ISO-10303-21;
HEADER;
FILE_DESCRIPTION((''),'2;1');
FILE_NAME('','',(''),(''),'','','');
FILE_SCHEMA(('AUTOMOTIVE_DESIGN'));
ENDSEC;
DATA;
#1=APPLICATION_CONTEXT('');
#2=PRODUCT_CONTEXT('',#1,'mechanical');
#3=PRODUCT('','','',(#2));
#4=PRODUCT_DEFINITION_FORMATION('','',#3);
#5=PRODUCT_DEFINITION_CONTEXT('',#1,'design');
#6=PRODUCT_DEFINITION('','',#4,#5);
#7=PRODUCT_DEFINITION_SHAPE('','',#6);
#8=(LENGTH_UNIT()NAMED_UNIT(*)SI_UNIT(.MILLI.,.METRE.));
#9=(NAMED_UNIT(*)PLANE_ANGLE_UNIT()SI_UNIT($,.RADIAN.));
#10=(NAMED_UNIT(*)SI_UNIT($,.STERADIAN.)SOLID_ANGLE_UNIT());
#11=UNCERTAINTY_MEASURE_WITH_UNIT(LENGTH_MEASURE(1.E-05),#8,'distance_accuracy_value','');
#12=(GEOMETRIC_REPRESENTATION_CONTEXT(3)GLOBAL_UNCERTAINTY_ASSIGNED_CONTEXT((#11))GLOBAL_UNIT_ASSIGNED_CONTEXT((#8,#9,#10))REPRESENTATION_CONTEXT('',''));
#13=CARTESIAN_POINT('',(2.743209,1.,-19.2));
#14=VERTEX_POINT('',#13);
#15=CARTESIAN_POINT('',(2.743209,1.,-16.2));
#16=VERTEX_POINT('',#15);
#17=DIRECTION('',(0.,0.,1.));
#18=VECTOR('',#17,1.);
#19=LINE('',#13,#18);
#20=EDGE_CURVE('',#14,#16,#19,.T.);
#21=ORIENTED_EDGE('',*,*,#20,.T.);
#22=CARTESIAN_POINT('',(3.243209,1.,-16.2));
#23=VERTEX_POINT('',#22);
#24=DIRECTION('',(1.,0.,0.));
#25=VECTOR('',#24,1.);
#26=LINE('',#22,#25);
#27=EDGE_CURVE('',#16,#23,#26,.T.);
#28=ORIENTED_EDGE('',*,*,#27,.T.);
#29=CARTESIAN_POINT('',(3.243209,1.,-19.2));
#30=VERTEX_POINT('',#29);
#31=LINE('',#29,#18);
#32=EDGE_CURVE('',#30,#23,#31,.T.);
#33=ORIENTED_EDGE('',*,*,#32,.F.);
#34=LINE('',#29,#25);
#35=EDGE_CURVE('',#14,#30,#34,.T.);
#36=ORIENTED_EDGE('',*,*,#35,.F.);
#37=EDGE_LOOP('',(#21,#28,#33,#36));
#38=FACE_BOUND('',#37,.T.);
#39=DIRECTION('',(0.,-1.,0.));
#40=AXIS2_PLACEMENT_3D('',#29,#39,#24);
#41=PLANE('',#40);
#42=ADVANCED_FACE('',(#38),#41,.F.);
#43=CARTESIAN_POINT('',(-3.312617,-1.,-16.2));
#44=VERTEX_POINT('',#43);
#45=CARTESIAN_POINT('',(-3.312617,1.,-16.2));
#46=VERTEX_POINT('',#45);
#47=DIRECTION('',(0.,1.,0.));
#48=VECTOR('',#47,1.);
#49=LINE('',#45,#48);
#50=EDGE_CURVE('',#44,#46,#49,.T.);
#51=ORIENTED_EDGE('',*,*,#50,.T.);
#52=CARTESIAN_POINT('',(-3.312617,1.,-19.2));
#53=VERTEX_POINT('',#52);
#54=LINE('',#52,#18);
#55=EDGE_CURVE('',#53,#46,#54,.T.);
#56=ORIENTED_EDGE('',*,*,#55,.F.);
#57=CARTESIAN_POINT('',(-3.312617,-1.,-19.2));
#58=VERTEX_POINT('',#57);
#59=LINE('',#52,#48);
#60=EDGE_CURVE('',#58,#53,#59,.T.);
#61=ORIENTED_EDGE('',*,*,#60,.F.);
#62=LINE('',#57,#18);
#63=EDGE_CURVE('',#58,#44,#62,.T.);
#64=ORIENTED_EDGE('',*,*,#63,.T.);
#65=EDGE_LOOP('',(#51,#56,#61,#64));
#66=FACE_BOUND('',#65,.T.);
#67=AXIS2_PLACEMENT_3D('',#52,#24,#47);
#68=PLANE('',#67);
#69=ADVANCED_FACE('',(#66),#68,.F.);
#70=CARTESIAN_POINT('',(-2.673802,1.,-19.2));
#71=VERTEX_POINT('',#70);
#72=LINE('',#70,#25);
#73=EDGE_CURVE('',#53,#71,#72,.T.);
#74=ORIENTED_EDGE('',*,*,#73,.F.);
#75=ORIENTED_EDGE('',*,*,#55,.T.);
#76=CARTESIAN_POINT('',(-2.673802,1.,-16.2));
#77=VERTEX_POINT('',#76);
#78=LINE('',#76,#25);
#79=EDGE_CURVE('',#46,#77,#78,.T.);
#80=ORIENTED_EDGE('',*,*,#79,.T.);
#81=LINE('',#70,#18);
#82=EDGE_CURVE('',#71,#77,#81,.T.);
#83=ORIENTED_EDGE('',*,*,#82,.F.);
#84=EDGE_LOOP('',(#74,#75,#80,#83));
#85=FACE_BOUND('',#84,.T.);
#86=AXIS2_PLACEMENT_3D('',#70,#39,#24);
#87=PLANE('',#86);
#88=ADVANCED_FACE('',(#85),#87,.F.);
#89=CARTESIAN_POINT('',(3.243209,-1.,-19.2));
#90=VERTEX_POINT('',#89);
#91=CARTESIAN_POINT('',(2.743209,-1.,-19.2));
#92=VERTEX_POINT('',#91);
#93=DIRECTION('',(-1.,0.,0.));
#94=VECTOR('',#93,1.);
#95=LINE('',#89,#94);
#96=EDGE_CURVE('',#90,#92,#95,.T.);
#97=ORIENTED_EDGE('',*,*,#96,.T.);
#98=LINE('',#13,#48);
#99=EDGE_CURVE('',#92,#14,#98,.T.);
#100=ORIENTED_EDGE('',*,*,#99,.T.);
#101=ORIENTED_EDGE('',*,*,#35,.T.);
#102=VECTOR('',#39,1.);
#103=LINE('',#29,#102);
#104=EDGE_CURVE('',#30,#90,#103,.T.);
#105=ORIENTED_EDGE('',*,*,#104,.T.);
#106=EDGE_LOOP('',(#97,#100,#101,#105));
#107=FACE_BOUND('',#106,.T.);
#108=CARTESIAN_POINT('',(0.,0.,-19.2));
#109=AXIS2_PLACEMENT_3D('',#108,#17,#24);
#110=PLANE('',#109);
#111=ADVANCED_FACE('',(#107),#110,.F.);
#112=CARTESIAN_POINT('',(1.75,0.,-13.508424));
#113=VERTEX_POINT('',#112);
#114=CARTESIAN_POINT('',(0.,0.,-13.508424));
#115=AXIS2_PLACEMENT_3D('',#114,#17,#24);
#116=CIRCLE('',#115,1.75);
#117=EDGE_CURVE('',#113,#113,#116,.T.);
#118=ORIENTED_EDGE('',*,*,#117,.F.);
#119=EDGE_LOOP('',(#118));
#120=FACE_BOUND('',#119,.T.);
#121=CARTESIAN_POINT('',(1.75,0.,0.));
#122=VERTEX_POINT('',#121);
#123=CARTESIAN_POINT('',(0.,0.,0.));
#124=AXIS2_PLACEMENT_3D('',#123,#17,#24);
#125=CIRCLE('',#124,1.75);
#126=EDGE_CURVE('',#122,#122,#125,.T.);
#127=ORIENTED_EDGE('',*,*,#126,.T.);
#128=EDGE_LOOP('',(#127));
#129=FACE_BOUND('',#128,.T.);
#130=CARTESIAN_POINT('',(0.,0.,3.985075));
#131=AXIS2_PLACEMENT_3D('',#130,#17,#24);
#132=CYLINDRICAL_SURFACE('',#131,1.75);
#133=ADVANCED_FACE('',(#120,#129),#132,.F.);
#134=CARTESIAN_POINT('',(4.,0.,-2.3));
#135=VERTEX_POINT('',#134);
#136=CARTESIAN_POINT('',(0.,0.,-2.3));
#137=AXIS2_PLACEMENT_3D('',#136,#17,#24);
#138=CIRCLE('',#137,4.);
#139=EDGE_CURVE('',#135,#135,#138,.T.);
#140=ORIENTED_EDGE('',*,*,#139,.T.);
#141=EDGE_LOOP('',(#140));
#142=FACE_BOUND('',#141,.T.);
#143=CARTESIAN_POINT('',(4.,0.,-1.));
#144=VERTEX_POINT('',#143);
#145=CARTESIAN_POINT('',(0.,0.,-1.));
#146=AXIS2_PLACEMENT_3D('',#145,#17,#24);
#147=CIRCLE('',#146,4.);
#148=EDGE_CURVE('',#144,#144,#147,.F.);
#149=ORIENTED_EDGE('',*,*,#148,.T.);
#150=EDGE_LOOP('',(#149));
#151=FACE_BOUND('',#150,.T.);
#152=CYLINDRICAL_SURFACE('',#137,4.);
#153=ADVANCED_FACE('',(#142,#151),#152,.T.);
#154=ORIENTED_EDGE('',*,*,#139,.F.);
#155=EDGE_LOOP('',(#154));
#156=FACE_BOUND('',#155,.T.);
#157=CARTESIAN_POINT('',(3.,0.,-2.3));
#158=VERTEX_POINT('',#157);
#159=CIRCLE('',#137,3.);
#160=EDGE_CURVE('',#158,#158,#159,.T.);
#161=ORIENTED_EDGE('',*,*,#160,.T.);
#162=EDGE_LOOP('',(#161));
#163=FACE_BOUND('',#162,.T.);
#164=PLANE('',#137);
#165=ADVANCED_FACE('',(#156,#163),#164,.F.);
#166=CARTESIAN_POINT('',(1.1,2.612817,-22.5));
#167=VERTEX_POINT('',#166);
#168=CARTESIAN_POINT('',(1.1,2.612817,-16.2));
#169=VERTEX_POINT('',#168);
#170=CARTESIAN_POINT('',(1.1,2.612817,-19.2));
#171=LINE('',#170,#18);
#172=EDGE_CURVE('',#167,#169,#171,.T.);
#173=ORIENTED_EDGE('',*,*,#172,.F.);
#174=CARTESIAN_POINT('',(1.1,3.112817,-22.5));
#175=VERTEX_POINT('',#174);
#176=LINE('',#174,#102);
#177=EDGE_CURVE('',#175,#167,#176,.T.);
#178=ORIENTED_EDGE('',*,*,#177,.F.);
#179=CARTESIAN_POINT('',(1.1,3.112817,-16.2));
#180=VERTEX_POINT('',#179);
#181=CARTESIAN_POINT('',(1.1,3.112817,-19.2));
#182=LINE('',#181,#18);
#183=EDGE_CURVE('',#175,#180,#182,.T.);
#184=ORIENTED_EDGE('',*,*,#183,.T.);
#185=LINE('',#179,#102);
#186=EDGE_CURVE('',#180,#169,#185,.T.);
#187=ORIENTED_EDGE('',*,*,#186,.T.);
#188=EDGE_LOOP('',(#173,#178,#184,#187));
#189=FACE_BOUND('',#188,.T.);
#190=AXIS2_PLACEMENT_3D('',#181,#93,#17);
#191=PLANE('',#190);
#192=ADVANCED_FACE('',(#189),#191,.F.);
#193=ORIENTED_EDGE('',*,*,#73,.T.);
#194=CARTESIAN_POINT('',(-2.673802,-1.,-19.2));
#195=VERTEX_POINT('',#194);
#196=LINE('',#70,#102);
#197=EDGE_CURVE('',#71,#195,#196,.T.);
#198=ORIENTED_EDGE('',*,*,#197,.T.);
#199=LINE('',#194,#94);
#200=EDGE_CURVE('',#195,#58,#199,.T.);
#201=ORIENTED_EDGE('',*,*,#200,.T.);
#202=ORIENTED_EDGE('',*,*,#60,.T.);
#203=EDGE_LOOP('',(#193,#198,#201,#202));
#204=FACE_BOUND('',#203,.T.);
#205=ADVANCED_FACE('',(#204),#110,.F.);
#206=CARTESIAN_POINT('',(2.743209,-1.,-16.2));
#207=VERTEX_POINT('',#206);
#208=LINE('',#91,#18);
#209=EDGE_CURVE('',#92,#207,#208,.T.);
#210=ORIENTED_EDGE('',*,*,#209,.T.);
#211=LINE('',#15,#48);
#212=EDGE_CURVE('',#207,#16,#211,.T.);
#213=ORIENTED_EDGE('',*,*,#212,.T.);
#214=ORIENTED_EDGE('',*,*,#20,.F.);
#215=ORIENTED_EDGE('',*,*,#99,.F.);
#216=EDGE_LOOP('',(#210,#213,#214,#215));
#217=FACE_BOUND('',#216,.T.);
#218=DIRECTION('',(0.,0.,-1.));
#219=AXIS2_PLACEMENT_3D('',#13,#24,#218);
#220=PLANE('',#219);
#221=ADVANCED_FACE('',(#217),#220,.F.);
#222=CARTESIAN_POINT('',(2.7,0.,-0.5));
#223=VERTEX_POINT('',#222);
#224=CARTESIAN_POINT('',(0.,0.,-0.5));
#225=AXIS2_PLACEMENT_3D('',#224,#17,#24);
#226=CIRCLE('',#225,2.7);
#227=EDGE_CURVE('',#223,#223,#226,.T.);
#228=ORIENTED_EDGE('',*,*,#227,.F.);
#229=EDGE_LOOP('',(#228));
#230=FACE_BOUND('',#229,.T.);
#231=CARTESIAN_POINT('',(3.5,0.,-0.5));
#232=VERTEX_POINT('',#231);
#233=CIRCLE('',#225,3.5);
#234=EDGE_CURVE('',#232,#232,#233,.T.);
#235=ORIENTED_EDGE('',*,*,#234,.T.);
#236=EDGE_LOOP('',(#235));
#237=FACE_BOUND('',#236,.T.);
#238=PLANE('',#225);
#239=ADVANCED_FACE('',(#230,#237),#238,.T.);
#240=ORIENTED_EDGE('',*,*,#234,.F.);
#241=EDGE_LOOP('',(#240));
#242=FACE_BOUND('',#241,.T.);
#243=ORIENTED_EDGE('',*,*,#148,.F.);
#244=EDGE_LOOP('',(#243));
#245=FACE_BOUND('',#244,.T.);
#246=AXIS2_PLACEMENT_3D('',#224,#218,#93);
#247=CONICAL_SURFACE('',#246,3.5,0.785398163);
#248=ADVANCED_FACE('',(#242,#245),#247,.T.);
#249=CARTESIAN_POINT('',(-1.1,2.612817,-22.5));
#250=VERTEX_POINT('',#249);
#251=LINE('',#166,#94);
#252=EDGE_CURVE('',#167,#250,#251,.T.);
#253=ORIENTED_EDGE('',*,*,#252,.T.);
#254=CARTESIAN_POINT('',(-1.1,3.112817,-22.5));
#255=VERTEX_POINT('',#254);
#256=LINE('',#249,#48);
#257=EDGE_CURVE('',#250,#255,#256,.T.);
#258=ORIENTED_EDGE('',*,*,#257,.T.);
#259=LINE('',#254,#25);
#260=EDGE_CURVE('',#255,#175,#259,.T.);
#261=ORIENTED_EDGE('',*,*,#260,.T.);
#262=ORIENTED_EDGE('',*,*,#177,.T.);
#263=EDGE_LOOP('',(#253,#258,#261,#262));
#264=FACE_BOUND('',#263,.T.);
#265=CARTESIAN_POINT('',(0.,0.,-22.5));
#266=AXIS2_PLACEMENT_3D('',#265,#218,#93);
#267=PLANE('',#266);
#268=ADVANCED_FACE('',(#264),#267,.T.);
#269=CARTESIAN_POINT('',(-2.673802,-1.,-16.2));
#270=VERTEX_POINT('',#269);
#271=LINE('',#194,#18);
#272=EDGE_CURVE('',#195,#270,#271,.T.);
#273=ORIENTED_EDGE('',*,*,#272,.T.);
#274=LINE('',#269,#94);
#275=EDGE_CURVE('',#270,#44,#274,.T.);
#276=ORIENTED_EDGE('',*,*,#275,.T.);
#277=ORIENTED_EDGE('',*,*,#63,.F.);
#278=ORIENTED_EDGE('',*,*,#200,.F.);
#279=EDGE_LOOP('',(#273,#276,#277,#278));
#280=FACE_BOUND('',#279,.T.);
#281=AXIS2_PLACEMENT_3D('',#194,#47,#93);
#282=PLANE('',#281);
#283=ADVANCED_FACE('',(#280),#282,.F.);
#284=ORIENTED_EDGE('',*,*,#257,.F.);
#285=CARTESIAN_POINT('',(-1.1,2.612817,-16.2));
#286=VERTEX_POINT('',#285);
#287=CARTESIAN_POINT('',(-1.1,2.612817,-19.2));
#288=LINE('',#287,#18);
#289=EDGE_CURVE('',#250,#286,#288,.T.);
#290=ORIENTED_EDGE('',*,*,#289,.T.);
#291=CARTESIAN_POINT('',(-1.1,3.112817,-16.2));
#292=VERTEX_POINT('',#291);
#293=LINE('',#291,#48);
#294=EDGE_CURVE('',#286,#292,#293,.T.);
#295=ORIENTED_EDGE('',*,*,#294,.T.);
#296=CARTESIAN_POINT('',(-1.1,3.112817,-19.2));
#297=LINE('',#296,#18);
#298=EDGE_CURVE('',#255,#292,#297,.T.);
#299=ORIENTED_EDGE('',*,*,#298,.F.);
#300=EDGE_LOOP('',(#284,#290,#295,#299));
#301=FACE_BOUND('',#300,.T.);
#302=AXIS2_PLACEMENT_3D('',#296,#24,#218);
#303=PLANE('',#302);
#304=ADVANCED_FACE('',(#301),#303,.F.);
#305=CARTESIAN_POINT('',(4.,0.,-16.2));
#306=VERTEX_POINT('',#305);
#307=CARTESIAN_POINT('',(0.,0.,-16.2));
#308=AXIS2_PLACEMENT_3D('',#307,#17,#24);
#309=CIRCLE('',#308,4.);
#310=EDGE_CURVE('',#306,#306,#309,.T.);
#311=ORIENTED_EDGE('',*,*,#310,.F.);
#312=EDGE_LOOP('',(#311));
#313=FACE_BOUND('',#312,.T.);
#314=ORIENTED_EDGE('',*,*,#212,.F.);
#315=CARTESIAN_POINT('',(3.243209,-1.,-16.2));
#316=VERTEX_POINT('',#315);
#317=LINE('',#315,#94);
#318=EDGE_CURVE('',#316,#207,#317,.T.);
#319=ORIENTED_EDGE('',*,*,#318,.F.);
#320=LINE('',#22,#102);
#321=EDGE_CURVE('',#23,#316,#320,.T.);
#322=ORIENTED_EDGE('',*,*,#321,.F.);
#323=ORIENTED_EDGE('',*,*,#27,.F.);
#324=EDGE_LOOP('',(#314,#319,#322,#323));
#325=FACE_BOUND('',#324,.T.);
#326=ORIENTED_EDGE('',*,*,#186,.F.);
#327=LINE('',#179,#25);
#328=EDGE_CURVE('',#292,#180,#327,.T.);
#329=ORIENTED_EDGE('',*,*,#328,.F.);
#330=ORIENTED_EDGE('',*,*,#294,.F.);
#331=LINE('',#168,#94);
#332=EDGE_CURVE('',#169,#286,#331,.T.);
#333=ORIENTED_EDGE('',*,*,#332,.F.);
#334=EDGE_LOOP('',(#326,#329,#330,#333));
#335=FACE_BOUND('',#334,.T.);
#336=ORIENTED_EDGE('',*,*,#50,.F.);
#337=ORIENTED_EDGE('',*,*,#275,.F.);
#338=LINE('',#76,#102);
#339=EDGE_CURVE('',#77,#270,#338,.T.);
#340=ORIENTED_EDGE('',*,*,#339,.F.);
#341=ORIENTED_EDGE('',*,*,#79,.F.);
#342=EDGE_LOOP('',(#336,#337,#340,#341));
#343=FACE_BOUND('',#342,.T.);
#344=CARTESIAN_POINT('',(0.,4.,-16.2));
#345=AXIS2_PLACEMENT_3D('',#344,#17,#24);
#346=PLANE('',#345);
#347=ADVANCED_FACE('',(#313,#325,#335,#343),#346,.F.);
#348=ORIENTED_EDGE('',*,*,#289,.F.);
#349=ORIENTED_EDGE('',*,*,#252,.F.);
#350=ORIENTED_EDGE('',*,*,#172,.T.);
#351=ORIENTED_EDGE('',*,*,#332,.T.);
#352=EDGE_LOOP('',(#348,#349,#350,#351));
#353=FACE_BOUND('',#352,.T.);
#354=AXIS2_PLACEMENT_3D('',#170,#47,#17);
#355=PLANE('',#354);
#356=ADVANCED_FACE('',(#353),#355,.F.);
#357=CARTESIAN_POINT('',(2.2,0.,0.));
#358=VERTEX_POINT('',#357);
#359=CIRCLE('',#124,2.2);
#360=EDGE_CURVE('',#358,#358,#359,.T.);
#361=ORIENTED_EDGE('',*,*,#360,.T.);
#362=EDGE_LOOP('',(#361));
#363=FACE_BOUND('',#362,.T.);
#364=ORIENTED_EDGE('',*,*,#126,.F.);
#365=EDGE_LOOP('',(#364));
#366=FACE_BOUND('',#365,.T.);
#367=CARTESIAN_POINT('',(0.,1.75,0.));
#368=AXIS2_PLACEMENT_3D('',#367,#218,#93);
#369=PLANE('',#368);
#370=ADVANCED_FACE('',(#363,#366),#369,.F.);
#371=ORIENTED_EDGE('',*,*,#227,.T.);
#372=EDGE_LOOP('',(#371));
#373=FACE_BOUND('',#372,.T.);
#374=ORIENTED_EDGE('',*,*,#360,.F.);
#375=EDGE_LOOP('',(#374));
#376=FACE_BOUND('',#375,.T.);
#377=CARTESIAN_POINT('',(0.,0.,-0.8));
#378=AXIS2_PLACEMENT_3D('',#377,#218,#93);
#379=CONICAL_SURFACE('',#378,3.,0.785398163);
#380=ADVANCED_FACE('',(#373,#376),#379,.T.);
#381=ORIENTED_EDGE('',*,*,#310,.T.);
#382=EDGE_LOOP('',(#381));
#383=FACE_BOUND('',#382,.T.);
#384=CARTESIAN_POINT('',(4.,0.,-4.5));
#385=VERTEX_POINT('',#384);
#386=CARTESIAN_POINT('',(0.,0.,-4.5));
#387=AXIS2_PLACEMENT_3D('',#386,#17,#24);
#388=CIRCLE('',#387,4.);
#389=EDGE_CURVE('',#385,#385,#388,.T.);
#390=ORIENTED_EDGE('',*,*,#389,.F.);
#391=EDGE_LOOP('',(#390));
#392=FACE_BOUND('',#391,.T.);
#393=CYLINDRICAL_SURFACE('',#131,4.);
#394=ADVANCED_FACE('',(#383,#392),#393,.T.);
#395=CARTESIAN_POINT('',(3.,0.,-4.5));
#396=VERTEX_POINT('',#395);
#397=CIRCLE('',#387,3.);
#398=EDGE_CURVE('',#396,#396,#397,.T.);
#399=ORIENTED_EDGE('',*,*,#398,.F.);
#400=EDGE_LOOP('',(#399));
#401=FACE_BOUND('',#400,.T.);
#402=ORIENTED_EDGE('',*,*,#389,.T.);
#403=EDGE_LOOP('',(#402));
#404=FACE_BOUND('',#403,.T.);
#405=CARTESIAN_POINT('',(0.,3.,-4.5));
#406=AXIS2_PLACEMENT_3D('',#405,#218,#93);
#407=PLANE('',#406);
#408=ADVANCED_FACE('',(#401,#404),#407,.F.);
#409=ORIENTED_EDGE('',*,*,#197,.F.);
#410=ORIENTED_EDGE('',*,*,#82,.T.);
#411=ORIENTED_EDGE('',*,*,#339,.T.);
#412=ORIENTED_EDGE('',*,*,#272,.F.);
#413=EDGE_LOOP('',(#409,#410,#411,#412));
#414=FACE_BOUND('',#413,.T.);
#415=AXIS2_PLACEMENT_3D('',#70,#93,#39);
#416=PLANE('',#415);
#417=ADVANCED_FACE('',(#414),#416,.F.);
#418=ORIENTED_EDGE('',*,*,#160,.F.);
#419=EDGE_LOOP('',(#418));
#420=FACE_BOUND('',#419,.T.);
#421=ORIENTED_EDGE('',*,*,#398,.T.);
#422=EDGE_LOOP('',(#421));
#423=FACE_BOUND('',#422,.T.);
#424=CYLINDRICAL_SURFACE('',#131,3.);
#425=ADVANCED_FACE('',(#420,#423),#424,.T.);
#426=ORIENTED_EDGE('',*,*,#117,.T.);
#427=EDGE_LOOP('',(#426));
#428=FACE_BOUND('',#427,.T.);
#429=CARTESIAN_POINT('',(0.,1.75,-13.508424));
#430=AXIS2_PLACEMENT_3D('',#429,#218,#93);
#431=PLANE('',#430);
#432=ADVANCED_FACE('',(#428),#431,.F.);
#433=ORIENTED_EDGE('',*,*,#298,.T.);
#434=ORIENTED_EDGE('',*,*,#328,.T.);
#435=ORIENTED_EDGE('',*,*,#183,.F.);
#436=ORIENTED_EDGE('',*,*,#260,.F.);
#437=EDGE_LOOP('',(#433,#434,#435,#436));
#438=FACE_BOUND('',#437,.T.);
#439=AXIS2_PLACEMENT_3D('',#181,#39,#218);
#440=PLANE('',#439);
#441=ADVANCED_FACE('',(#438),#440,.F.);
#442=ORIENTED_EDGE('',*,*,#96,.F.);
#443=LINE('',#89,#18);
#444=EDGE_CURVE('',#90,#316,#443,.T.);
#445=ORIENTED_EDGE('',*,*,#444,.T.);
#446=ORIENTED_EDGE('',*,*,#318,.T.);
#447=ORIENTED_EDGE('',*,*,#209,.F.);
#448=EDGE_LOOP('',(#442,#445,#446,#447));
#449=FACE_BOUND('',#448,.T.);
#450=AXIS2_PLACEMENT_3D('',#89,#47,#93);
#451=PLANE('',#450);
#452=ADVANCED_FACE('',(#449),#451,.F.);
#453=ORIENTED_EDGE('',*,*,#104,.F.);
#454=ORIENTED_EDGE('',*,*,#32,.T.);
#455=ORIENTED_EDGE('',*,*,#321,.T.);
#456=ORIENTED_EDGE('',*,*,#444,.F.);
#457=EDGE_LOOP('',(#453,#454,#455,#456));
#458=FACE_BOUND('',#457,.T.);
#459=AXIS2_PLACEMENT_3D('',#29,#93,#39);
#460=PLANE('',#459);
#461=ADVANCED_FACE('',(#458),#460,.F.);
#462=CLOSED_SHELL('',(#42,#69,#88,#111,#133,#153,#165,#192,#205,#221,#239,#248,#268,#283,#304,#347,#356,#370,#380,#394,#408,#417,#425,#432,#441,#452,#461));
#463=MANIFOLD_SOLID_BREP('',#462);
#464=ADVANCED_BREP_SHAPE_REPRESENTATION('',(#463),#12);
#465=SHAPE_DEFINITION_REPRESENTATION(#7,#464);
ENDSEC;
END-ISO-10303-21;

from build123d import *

# Parameters (mm, degrees)
BOSS_EXTRUDE1_START = -2.3
SKETCH2_R           = 4
SKETCH2_R_2         = 2.6
BOSS_EXTRUDE1_DEPTH = 1.8
CHAMFER1_SIZE       = 0.5
SKETCH3_W           = 0.5
SKETCH3_H           = 2
SKETCH3_W_2         = 2.2
SKETCH3_H_2         = 0.5
SKETCH3_W_3         = 0.638814793
BOSS_EXTRUDE2_DEPTH = 3
SKETCH4_W           = 2.2
SKETCH4_H           = 0.5
BOSS_EXTRUDE3_DEPTH = 3.3


with BuildPart() as part:
    # Sketch1 → Revolve1 (revolve)
    with BuildSketch(Plane(origin=(0, 0, 0), x_dir=(0, 0, -1), z_dir=(1, 0, 0)), mode=Mode.PRIVATE) as revolve1_sk:
        Polygon((0, 1.75), (0, 2.2), (0.8, 3), (4.5, 3), (4.5, 4), (16.2, 4), (16.2, 0), (13.508423887, 0), (13.508423887, 1.75), align=None)
    revolve(revolve1_sk.sketch.rotate(Axis((0, 0, 3.985074627), (0, 0, -1)), 90), axis=Axis((0, 0, 3.985074627), (0, 0, -1)))

    # Sketch2 → Boss-Extrude1 (add)
    with BuildSketch(Plane.XY.offset(BOSS_EXTRUDE1_START)):
        Circle(SKETCH2_R)
        Circle(SKETCH2_R_2, mode=Mode.SUBTRACT)
    extrude(amount=BOSS_EXTRUDE1_DEPTH)

    # Chamfer1
    chamfer1_edges = [part.edges().sort_by_distance(p)[0] for p in [
        (-4, 0, -0.5),
    ]]
    chamfer(chamfer1_edges, length=CHAMFER1_SIZE)

    # Sketch3 → Boss-Extrude2 (add)
    with BuildSketch(Plane(origin=(0, 0, -16.2), x_dir=(-1, 0, 0), z_dir=(0, 0, -1))):
        with Locations((-2.993209108, 0)):
            Rectangle(SKETCH3_W, SKETCH3_H)
        with Locations((0, 2.862816669)):
            Rectangle(SKETCH3_W_2, SKETCH3_H_2)
        with Locations((2.993209109, 0)):
            Rectangle(SKETCH3_W_3, SKETCH3_H)
    extrude(amount=BOSS_EXTRUDE2_DEPTH)

    # Sketch4 → Boss-Extrude3 (add)
    with BuildSketch(Plane(origin=(0, 0, -19.2), x_dir=(-1, 0, 0), z_dir=(0, 0, -1))):
        with Locations((0, 2.862816669)):
            Rectangle(SKETCH4_W, SKETCH4_H)
    extrude(amount=BOSS_EXTRUDE3_DEPTH)


solid = part.part
